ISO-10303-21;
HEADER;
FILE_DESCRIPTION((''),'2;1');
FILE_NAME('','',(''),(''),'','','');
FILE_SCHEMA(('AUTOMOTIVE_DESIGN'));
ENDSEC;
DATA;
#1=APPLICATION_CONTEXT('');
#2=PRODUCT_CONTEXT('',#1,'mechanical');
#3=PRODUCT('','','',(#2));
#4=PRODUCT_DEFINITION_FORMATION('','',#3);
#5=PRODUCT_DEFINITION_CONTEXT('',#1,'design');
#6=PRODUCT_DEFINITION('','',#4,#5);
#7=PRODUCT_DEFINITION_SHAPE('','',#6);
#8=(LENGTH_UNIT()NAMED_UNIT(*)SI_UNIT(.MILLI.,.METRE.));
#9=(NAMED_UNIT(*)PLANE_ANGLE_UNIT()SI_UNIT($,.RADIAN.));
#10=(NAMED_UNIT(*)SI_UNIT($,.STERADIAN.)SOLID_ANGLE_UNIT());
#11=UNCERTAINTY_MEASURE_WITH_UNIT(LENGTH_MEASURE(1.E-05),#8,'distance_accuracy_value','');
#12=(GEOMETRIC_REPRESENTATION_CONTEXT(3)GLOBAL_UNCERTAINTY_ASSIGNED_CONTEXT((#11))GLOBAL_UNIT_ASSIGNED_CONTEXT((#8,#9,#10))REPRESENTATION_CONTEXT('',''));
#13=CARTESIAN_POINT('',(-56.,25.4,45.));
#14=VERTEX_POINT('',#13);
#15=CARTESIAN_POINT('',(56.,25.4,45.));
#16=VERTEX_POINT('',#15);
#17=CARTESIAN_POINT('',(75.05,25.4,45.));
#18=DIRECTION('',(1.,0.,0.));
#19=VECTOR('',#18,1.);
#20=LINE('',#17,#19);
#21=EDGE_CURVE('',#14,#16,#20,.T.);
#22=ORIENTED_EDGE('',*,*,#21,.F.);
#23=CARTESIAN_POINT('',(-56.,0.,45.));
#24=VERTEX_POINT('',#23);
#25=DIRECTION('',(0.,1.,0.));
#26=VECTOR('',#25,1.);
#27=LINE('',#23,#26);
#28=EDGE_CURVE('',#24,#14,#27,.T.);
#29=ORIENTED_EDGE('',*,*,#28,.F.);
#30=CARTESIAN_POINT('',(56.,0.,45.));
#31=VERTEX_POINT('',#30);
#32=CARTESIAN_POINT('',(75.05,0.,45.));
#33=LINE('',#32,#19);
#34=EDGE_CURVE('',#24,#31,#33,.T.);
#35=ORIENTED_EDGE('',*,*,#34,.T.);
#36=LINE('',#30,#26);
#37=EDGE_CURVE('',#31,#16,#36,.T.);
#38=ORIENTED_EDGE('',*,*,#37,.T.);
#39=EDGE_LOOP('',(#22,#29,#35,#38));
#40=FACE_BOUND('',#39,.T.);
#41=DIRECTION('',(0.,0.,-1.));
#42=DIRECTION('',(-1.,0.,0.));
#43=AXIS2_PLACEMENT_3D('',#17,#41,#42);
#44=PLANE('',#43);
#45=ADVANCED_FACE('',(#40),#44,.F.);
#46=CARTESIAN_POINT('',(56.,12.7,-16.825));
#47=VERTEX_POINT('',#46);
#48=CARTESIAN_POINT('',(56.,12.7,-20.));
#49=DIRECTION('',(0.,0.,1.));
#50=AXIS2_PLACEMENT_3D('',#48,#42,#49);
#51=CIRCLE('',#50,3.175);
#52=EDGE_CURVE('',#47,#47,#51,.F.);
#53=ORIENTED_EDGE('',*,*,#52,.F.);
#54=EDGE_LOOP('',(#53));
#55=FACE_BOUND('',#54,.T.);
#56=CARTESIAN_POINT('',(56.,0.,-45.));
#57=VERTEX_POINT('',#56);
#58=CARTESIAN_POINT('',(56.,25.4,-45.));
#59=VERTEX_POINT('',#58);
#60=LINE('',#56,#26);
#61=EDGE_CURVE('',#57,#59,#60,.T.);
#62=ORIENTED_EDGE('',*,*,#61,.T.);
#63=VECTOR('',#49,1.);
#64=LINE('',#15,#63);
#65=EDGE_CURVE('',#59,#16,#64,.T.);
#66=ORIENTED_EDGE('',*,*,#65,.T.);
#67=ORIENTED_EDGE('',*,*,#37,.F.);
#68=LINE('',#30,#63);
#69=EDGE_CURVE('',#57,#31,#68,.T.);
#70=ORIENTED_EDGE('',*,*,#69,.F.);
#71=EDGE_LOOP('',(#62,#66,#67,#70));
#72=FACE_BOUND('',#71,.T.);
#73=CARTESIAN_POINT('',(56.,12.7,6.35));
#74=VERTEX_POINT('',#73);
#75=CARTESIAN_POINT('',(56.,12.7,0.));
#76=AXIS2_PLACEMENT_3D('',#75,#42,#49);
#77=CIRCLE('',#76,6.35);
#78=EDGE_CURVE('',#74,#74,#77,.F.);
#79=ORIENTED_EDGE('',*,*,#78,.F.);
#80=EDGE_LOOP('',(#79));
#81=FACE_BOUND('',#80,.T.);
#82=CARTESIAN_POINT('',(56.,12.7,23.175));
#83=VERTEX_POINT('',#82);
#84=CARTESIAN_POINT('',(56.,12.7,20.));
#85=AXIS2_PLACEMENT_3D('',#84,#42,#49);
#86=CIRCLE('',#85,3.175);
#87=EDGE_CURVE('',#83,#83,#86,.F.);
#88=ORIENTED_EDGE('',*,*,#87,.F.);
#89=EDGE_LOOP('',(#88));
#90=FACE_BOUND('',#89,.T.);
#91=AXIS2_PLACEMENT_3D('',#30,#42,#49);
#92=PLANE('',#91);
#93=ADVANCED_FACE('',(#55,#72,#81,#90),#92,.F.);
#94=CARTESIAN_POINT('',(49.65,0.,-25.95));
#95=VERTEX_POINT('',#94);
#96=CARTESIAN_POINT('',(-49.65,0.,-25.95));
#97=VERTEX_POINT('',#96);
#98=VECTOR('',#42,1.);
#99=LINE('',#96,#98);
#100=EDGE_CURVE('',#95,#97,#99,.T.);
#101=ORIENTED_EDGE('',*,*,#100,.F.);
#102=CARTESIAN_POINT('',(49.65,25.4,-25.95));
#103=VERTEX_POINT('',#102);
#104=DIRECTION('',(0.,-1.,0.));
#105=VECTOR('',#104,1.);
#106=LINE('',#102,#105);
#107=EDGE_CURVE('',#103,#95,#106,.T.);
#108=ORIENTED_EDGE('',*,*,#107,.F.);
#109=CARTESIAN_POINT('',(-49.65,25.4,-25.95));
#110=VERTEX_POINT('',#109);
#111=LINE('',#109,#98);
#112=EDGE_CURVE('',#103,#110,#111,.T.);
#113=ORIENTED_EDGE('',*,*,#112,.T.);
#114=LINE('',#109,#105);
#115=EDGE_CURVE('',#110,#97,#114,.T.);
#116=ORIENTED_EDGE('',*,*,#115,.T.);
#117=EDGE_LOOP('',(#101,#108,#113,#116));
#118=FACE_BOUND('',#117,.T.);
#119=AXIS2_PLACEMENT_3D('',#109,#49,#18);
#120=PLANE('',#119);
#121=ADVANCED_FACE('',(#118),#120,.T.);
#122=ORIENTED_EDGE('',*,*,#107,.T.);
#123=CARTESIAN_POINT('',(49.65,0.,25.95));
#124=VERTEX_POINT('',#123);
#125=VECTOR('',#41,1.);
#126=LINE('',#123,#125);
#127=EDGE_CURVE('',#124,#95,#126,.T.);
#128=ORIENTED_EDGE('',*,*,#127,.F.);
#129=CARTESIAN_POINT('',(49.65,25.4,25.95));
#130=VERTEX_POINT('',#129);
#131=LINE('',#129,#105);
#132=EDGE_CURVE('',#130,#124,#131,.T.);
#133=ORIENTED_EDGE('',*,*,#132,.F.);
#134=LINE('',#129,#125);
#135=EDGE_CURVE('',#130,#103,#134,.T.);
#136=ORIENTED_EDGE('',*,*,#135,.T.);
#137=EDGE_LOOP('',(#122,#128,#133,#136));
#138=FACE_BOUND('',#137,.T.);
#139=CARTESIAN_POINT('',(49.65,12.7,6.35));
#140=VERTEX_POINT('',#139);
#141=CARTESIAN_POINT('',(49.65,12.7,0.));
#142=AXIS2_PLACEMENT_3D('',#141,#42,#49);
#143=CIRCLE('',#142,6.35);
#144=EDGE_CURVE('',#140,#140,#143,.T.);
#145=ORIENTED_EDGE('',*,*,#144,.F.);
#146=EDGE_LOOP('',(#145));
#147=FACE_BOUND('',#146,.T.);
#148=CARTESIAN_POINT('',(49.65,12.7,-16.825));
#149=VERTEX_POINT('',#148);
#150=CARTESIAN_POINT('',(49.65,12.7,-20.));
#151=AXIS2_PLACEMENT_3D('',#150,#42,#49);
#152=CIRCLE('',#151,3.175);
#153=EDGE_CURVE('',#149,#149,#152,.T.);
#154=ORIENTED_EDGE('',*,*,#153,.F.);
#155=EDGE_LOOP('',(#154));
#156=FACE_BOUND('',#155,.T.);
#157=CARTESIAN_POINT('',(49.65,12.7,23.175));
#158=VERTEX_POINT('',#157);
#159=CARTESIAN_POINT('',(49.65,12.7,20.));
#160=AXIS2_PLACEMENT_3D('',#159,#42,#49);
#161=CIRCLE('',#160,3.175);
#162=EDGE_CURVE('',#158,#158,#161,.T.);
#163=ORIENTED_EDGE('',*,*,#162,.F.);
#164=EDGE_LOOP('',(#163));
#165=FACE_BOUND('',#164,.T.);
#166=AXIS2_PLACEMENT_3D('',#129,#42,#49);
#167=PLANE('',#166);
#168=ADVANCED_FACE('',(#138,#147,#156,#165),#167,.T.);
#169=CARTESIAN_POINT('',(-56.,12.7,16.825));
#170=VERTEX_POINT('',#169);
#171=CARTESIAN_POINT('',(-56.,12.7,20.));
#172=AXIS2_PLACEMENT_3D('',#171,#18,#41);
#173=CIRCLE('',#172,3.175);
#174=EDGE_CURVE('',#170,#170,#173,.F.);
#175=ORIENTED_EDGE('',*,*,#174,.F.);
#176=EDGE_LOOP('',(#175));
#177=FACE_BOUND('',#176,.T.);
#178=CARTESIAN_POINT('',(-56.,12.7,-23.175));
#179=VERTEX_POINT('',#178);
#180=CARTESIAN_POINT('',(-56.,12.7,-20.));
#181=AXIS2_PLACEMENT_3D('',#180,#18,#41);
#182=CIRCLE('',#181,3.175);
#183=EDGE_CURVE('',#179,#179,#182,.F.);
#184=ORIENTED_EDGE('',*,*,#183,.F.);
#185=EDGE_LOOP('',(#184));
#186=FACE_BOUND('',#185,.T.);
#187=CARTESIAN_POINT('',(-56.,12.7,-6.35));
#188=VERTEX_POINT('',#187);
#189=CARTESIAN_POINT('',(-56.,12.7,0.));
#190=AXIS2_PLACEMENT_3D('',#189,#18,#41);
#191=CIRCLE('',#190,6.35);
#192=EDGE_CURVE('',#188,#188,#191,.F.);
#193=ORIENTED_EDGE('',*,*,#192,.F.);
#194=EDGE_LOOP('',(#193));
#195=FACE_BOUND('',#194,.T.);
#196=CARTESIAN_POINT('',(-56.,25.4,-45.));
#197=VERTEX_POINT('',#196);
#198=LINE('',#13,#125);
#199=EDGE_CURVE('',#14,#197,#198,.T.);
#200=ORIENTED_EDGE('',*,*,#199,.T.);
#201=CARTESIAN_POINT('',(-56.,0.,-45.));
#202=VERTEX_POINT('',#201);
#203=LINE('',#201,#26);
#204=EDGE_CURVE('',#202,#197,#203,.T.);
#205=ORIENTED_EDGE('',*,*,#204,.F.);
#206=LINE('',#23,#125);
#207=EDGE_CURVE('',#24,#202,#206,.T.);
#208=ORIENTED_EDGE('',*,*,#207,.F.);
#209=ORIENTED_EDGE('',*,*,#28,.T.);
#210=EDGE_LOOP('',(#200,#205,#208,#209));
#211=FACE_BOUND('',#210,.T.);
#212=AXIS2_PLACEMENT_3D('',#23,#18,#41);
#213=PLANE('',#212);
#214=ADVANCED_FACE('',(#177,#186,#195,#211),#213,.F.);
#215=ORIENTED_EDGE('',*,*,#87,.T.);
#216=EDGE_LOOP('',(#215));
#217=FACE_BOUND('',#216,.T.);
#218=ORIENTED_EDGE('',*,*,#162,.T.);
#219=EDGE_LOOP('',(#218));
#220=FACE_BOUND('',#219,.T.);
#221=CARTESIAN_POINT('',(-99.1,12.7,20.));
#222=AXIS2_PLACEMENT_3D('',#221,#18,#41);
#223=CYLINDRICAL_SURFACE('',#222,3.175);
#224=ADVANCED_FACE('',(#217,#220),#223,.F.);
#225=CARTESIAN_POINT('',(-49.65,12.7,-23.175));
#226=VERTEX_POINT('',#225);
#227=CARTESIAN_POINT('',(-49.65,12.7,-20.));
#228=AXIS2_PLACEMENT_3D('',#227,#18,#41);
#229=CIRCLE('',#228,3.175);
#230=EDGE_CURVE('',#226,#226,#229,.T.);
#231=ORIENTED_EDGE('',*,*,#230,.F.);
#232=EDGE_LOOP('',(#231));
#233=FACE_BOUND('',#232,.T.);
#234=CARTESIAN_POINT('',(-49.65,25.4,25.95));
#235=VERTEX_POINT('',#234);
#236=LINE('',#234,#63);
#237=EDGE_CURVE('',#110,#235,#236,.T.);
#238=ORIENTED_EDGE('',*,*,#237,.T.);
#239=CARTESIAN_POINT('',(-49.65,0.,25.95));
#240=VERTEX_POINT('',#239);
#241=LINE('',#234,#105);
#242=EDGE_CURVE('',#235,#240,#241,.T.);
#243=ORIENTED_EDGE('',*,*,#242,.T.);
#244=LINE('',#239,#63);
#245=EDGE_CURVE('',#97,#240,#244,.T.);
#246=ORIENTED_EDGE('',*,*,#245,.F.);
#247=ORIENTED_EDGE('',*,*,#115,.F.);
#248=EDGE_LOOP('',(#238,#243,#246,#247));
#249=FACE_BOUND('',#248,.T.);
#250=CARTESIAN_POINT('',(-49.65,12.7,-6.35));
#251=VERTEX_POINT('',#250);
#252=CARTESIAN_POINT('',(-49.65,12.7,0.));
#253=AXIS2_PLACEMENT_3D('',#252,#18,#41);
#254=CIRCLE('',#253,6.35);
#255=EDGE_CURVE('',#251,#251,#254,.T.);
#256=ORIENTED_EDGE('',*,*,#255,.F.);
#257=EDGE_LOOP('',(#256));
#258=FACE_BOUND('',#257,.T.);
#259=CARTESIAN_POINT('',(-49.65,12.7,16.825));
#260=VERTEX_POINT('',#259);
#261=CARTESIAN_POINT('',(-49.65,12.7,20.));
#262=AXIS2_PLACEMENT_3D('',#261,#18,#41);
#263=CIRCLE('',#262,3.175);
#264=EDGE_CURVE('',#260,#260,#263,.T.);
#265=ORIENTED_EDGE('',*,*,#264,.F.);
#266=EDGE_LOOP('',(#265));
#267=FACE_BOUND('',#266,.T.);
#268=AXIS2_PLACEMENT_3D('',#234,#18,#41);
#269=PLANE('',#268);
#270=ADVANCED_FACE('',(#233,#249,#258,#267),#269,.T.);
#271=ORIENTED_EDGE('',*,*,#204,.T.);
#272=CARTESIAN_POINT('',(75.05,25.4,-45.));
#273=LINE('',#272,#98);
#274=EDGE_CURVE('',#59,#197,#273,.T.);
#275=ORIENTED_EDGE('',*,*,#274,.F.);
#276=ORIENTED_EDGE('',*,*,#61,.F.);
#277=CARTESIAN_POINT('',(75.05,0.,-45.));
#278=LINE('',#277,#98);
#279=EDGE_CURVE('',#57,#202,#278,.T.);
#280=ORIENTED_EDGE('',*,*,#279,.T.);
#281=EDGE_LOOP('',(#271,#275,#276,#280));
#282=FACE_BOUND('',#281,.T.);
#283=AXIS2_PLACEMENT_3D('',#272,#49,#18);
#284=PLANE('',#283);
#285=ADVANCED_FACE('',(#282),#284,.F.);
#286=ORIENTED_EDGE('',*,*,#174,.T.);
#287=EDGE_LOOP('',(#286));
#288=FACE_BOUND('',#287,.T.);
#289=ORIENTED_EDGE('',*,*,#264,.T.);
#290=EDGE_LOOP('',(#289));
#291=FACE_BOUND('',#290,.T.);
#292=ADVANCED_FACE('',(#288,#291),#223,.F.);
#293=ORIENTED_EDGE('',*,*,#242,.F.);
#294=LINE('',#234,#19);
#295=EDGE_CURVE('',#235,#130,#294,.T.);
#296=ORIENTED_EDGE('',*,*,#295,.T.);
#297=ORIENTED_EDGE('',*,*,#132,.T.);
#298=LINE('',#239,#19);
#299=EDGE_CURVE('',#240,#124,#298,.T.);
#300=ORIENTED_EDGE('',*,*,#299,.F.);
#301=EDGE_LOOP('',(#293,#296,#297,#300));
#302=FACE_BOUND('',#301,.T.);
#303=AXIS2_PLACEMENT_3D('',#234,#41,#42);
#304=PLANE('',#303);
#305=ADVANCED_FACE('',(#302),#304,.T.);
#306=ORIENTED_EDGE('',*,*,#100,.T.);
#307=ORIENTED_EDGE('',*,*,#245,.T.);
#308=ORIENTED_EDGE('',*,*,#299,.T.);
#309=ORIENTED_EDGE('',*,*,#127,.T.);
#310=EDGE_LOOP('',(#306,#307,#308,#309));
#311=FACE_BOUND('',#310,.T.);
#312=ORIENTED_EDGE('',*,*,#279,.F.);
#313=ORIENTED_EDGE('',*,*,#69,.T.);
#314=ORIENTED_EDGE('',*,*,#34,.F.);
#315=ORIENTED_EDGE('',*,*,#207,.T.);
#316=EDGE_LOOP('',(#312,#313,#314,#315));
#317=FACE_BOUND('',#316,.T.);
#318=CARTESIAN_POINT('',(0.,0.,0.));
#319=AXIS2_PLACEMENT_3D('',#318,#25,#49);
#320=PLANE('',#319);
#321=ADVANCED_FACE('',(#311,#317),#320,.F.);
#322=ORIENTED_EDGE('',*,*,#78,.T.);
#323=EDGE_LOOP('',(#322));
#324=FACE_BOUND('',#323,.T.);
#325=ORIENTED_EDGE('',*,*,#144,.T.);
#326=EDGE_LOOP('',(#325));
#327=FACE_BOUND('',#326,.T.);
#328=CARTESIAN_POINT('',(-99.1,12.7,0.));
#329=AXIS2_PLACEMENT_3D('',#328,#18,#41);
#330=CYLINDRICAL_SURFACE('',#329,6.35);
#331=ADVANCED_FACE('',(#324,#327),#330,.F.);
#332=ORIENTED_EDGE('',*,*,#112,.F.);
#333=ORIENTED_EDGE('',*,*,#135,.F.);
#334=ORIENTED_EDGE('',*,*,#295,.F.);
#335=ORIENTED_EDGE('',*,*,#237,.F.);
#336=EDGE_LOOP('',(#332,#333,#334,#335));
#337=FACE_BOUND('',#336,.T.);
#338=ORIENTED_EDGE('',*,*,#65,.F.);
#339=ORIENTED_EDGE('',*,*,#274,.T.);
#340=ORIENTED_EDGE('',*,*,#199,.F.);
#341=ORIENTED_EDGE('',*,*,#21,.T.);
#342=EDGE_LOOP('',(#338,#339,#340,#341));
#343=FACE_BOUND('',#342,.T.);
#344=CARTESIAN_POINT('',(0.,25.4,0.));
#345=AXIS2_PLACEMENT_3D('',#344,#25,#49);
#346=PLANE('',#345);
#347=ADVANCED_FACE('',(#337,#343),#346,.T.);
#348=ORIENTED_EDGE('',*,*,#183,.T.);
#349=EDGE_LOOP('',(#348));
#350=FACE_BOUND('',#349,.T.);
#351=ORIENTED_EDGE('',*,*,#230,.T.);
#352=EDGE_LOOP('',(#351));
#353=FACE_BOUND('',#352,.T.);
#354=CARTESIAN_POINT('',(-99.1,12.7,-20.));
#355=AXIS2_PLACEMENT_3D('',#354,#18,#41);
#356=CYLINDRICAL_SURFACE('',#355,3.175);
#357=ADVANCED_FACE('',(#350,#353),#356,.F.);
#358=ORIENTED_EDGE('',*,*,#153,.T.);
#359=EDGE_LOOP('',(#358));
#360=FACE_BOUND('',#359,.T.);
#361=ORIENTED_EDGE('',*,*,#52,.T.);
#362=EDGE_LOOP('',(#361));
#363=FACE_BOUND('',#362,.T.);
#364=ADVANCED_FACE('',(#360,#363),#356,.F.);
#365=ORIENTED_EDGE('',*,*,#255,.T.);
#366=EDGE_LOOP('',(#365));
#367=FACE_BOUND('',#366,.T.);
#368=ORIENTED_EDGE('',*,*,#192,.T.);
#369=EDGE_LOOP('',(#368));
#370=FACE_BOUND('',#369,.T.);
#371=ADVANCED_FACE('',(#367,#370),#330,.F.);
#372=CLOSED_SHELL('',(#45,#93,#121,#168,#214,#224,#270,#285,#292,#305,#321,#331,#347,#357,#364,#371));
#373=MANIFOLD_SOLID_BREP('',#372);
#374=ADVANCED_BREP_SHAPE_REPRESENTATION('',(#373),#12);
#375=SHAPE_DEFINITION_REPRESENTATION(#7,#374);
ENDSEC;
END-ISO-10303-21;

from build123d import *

# Parameters (mm, degrees)
CROQUIS1_W              = 150.1
CROQUIS1_H              = 90
CROQUIS1_W_2            = 99.3
CROQUIS1_H_2            = 51.9
SALIENTE_EXTRUIR1_DEPTH = 25.4
CROQUIS2_R              = 6.35
SALIENTE_EXTRUIR2_DEPTH = 51.85
SALIENTE_EXTRUIR3_START = -174.15
CROQUIS2_2_R            = 6.35
SALIENTE_EXTRUIR3_DEPTH = 24.05
CROQUIS4_R              = 3.175
CORTAR_EXTRUIR2_DEPTH   = 182.654569169
CORTAR_EXTRUIR3_START   = 51.85
CROQUIS2_3_R            = 6.35
CORTAR_EXTRUIR3_DEPTH   = 234.504569169
CROQUIS6_W              = 19.05
CROQUIS6_H              = 90
CORTAR_EXTRUIR4_DEPTH   = 92.118946987


with BuildPart() as part:
    # Croquis1 → Saliente-Extruir1 (new body)
    with BuildSketch(Plane(origin=(0, 0, 0), x_dir=(1, 0, 0), z_dir=(0, 1, 0))):
        Rectangle(CROQUIS1_W, CROQUIS1_H)
        Rectangle(CROQUIS1_W_2, CROQUIS1_H_2, mode=Mode.SUBTRACT)
    extrude(amount=SALIENTE_EXTRUIR1_DEPTH)

    # Croquis2 → Saliente-Extruir2 (add)
    with BuildSketch(Plane(origin=(75.05, 0, 0), x_dir=(0, 0, -1), z_dir=(1, 0, 0))):
        with Locations(Location((0, 12.7, 0), (0, 0, 180))):
            Circle(CROQUIS2_R)
    extrude(amount=SALIENTE_EXTRUIR2_DEPTH)

    # Croquis2<2> → Saliente-Extruir3 (add)
    with BuildSketch(Plane(origin=(75.05, 0, 0), x_dir=(0, 0, -1), z_dir=(1, 0, 0)).offset(SALIENTE_EXTRUIR3_START)):
        with Locations(Location((0, 12.7, 0), (0, 0, 180))):
            Circle(CROQUIS2_2_R)
    extrude(amount=SALIENTE_EXTRUIR3_DEPTH)

    # Croquis4 → Cortar-Extruir2 (cut, through all)
    with BuildSketch(Plane(origin=(75.05, 0, 0), x_dir=(0, 0, -1), z_dir=(1, 0, 0))):
        with Locations((-20, 12.7)):
            Circle(CROQUIS4_R)
        with Locations((20, 12.7)):
            Circle(CROQUIS4_R)
    extrude(amount=-CORTAR_EXTRUIR2_DEPTH, mode=Mode.SUBTRACT)

    # Croquis2<3> → Cortar-Extruir3 (cut, through all)
    with BuildSketch(Plane(origin=(75.05, 0, 0), x_dir=(0, 0, -1), z_dir=(1, 0, 0)).offset(CORTAR_EXTRUIR3_START)):
        with Locations(Location((0, 12.7, 0), (0, 0, 180))):
            Circle(CROQUIS2_3_R)
    extrude(amount=-CORTAR_EXTRUIR3_DEPTH, mode=Mode.SUBTRACT)

    # Croquis6 → Cortar-Extruir4 (cut, through all)
    with BuildSketch(Plane(origin=(0, 25.4, 0), x_dir=(1, 0, 0), z_dir=(0, 1, 0))):
        with Locations((-65.525, 0)):
            Rectangle(CROQUIS6_W, CROQUIS6_H)
        with Locations((65.525, 0)):
            Rectangle(CROQUIS6_W, CROQUIS6_H)
    extrude(amount=-CORTAR_EXTRUIR4_DEPTH, mode=Mode.SUBTRACT)


solid = part.part
